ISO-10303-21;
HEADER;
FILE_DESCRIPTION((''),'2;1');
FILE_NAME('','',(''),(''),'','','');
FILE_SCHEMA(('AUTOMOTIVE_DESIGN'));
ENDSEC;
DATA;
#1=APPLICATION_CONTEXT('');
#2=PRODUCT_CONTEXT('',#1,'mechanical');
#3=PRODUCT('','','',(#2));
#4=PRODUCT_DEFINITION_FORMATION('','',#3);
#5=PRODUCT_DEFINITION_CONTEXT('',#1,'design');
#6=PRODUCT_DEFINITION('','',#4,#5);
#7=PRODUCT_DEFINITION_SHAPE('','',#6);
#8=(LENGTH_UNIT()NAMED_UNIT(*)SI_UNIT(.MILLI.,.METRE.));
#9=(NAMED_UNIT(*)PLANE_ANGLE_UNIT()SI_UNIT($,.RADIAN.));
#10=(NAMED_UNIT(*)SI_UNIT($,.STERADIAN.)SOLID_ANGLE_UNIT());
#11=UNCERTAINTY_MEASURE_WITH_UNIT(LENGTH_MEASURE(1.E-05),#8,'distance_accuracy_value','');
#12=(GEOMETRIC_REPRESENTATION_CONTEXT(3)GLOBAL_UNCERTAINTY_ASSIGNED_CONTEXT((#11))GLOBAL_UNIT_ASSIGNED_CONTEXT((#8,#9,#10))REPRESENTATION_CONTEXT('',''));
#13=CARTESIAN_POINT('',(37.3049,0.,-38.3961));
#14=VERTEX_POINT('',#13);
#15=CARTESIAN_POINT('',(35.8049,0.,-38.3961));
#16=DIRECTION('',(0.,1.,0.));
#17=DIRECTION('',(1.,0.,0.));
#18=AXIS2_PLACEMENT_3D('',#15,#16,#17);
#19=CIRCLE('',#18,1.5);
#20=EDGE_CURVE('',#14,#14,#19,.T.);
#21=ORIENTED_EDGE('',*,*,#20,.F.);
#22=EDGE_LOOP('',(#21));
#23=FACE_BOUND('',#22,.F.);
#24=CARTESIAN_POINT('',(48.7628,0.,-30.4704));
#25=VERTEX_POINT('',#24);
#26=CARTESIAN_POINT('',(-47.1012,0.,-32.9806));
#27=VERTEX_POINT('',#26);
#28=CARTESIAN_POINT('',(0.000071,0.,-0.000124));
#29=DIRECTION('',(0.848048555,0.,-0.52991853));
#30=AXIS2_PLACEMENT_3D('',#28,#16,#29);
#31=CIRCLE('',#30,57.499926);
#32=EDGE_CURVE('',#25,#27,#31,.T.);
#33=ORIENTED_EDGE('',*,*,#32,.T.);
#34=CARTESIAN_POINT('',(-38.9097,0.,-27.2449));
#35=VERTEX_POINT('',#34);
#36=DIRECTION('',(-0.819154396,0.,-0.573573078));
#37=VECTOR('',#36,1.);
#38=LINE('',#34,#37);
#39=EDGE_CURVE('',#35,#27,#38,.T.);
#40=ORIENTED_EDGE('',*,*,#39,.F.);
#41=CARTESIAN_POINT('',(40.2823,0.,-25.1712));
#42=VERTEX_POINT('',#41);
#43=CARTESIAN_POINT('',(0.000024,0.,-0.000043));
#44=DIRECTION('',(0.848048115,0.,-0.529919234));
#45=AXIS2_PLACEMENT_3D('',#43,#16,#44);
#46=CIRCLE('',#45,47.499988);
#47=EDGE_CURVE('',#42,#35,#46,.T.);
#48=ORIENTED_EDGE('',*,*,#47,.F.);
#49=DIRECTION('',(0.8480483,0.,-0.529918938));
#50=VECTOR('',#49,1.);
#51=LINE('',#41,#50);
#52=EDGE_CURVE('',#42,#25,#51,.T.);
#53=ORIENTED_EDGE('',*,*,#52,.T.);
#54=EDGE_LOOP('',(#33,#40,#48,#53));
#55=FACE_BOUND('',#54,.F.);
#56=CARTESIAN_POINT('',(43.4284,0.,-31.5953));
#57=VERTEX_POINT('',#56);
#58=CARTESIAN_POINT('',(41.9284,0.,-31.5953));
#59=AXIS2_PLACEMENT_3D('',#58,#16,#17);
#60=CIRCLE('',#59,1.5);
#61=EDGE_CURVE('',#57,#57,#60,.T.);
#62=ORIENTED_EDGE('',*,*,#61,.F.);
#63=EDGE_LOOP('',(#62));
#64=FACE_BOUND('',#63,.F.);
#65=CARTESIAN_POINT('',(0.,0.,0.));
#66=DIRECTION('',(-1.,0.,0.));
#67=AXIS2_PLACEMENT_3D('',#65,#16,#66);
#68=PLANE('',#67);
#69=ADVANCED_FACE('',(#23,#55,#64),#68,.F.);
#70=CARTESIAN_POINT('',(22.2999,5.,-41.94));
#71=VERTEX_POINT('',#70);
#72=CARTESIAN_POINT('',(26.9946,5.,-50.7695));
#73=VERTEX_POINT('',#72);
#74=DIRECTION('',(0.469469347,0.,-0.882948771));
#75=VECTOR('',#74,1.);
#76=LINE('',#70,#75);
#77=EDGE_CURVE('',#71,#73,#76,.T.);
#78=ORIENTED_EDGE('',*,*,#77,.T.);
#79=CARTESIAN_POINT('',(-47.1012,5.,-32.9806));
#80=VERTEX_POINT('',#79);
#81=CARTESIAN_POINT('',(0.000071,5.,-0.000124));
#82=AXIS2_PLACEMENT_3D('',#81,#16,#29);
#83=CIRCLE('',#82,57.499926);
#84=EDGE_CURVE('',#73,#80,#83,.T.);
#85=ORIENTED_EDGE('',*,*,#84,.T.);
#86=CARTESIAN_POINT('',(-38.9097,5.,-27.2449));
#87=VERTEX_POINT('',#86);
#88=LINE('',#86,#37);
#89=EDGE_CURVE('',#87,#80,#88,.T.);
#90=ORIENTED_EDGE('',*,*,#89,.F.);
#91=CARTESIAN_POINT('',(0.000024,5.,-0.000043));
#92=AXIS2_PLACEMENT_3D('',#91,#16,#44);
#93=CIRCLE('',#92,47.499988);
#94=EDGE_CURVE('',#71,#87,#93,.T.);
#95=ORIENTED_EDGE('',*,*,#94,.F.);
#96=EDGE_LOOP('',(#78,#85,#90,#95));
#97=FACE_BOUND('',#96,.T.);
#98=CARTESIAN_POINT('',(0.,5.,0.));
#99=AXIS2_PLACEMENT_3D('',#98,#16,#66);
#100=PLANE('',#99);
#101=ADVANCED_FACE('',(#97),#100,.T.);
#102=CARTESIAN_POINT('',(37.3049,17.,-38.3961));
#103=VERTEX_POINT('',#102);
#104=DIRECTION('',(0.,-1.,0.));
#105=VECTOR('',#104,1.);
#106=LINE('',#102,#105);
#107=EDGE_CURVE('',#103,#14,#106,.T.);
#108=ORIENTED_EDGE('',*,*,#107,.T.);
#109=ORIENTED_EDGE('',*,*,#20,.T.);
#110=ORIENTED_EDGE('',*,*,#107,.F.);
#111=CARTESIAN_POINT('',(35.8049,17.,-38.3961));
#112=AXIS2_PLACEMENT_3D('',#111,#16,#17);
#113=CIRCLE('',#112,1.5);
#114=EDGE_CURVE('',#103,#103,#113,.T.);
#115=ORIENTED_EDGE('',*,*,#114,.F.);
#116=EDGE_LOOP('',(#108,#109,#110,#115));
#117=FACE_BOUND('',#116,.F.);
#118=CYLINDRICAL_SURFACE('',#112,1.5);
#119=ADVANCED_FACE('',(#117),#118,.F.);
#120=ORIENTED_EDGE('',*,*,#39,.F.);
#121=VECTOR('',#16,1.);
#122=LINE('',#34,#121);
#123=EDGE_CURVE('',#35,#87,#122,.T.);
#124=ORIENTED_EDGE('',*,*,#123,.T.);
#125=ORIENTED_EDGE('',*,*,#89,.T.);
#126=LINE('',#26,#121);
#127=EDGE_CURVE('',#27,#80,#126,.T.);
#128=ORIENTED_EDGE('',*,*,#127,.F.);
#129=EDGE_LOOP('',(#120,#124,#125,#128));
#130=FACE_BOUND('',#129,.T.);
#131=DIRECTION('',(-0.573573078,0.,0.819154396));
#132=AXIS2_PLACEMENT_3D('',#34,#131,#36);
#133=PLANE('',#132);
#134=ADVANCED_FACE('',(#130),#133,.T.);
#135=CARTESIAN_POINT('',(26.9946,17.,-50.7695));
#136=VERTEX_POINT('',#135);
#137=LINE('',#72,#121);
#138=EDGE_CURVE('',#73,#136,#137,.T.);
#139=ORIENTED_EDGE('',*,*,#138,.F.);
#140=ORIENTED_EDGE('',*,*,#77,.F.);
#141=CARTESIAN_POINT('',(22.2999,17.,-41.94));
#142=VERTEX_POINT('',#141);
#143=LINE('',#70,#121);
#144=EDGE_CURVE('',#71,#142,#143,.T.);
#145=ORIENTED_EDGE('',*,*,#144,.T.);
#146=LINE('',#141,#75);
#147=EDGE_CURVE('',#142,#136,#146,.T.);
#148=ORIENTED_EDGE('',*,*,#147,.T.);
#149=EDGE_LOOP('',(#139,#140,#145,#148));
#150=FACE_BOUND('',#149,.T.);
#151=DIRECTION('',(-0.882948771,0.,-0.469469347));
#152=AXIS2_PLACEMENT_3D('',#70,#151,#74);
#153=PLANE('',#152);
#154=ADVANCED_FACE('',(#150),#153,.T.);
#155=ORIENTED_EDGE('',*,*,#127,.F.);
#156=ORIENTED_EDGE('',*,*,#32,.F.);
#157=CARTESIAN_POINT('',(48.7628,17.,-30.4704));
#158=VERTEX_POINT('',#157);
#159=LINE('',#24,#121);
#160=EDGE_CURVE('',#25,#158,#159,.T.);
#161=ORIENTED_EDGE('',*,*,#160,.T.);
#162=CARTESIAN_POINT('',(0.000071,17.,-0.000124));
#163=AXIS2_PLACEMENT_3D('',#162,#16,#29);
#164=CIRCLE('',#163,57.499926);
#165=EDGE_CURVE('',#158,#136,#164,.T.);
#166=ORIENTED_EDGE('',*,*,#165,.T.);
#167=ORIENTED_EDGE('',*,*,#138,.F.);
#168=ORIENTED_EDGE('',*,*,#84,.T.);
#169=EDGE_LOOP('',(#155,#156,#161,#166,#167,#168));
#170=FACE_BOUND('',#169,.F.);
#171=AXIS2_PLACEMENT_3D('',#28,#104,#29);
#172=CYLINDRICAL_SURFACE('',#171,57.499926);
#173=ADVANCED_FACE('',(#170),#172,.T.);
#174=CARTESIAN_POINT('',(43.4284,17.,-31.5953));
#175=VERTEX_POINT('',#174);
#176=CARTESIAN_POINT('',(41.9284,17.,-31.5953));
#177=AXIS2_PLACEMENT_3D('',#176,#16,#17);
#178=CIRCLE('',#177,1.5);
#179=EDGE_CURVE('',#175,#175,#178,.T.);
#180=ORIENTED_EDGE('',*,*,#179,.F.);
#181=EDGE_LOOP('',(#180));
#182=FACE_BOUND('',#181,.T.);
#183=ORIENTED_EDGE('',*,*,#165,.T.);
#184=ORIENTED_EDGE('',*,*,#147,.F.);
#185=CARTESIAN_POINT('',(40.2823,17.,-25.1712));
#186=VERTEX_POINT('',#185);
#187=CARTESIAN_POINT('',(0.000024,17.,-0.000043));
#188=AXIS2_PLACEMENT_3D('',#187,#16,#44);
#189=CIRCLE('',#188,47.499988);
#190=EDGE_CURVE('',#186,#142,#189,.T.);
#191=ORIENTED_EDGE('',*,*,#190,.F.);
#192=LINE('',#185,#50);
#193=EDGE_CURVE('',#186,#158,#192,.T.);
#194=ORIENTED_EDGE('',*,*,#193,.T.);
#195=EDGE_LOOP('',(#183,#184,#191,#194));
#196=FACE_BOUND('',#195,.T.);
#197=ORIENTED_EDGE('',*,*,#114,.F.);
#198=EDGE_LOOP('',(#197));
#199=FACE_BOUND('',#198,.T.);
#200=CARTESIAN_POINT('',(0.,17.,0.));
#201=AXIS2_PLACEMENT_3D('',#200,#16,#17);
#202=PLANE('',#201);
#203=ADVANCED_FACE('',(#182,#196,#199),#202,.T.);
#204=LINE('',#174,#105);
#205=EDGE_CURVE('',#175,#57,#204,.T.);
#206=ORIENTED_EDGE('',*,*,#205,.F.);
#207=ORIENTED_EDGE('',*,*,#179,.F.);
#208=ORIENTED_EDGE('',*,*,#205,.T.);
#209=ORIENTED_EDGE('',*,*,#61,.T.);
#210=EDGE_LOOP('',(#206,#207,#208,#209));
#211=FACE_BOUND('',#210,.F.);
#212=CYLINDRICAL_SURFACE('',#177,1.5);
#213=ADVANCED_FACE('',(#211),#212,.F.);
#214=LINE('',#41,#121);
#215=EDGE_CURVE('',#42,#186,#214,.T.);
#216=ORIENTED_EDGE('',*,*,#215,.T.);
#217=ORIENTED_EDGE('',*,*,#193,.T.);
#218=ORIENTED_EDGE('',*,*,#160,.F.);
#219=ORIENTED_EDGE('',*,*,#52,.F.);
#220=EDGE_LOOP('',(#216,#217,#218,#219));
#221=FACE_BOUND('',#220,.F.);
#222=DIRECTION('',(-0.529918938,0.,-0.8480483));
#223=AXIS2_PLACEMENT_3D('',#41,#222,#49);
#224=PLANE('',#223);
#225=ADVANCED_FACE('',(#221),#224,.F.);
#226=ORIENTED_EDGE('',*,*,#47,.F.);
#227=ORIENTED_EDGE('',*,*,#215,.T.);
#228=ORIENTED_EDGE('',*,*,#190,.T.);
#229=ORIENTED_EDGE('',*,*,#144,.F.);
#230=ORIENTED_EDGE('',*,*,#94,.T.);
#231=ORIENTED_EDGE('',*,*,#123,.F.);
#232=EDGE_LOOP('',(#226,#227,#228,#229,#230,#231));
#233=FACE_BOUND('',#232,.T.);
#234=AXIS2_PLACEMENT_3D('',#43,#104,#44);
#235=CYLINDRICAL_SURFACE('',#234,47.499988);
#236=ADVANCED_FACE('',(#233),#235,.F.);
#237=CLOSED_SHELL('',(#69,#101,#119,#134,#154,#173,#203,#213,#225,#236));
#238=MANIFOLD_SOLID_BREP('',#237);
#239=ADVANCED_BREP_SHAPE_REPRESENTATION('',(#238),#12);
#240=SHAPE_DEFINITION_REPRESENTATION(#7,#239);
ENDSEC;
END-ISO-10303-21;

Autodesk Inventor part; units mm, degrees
ref_plane "YZ Plane" through (0, 0, 0) normal (1, 0, 0) x (0, 1, 0)
ref_plane "XZ Plane" through (0, 0, 0) normal (0, 1, 0) x (-1, 0, 0)
ref_plane "XY Plane" through (0, 0, 0) normal (0, 0, 1) x (1, 0, 0)
sketch "Sketch1" plane through (0, 0, 0) normal (0, 1, 0) x (-1, 0, 0)
  arc A0 (-40.2823, -25.1712) -> (38.9097, -27.2449) centre (0, 0) ccw
  line L0 (-40.2823, -25.1712) -> (-48.7628, -30.4704)
  line L1 (38.9097, -27.2449) -> (47.1012, -32.9806)
  arc A1 (-48.7628, -30.4704) -> (47.1012, -32.9806) centre (0, 0) ccw
  line L2 (0, -70.4825) -> (0, 11.7471) construction
  dimension "d0" = 47.5
  dimension "d1" = 57.5
  dimension "d2" = 55
  dimension "d3" = 58
extrude "Extrusion1" add sketch "Sketch1" along normal blind 5
sketch "Sketch2" plane through (0, 5, 0) normal (0, 1, 0) x (1, 0, 0)
  line L0 (40.2823, 25.1712) -> (48.7628, 30.4704) projected
  arc A0 (40.2823, 25.1712) -> (-38.9097, 27.2449) centre (0, 0) ccw projected
  arc A1 (48.7628, 30.4704) -> (-47.1012, 32.9806) centre (0, 0) ccw projected
  line L1 (22.2999, 41.94) -> (26.9946, 50.7695)
  dimension "d6" = 30
extrude "Extrusion2" add sketch "Sketch2" along normal blind 12
sketch "Sketch3" plane through (0, 17, 0) normal (0, 1, 0) x (1, 0, 0)
  circle A0 centre (41.9284, 31.5953) radius 1.5
  arc A1 (40.2823, 25.1712) -> (22.2999, 41.94) centre (0, 0) ccw construction
  arc A2 (48.7628, 30.4704) -> (26.9946, 50.7695) centre (0, 0) ccw construction
  line L0 (40.2823, 25.1712) -> (48.7628, 30.4704) construction
  line L1 (26.9946, 50.7695) -> (22.2999, 41.94) construction
  line L2 (37.9352, 28.5862) -> (45.9215, 34.6044) construction
  line L3 (32.3949, 34.7393) -> (39.2149, 42.0528) construction
  circle A3 centre (35.8049, 38.3961) radius 1.5
  dimension "d9" = 3
  dimension "d10" = 5
  dimension "d11" = 15
extrude "Extrusion3" cut sketch "Sketch3" against normal up to surface (17 mm away)
properties part number "Right_Bottom_Gripper"
